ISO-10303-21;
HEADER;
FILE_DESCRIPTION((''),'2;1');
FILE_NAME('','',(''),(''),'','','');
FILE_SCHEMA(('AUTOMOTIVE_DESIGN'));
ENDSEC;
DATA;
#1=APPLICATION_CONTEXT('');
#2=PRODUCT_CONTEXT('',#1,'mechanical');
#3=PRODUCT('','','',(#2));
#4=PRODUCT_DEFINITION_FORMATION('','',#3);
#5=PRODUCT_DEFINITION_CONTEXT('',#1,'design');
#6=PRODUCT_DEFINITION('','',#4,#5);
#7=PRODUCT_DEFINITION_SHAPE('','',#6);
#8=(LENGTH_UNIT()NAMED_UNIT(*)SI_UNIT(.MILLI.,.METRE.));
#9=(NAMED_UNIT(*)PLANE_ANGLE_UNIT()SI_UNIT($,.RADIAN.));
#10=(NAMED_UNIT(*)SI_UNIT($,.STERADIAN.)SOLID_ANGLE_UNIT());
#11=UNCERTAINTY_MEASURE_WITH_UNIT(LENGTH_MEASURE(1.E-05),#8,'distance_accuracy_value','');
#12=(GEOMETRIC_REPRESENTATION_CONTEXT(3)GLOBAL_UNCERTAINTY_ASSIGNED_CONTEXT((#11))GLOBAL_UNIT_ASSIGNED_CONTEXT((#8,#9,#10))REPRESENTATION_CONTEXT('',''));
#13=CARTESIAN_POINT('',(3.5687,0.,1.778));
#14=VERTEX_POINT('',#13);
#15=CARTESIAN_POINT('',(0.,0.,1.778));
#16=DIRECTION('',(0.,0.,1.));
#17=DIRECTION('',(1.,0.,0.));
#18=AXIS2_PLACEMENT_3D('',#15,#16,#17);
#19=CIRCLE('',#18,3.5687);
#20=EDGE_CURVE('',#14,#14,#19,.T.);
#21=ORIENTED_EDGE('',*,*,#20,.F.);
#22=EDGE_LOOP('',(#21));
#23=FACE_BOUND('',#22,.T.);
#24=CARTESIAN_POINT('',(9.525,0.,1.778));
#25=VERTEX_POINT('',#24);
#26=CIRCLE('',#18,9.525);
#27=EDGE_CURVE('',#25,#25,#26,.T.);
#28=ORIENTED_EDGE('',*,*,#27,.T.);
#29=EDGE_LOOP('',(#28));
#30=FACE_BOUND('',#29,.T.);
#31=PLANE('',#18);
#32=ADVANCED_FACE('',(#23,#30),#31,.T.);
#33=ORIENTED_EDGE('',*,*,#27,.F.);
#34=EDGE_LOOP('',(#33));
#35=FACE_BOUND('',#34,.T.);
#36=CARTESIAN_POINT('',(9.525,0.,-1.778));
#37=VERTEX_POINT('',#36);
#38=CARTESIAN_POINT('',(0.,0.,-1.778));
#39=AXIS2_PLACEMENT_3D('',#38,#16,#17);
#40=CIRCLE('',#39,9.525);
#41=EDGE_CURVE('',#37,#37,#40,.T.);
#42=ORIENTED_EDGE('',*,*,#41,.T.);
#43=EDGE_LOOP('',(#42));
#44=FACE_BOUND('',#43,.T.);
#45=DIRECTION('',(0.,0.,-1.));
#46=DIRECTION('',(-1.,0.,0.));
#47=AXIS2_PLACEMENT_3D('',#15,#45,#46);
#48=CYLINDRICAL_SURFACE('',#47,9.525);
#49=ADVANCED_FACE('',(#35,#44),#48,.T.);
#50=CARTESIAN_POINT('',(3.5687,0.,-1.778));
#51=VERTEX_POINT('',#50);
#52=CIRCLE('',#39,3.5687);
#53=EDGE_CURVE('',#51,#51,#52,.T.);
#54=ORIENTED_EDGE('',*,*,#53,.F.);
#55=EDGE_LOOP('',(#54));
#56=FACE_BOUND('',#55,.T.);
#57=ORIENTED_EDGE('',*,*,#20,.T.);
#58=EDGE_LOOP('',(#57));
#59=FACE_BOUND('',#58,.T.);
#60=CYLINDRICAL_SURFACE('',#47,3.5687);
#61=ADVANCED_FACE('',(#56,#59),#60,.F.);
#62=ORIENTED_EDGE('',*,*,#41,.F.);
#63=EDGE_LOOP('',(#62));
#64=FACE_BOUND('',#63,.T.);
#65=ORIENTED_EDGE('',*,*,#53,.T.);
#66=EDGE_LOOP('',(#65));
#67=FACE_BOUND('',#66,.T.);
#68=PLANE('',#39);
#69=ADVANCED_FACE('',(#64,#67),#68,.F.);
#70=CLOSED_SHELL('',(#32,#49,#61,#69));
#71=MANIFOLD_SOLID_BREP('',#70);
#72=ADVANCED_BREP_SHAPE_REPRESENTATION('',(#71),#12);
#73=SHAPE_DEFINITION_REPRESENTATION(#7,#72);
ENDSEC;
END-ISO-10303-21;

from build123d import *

# Parameters (mm, degrees)
SKETCH2_R           = 9.525
SKETCH2_R_2         = 3.5687
BOSS_EXTRUDE1_DEPTH = 1.778


with BuildPart() as part:
    # Sketch2 → Boss-Extrude1 (new, symmetric)
    with BuildSketch(Plane.XY):
        Circle(SKETCH2_R)
        Circle(SKETCH2_R_2, mode=Mode.SUBTRACT)
    extrude(amount=BOSS_EXTRUDE1_DEPTH, both=True)


solid = part.part
